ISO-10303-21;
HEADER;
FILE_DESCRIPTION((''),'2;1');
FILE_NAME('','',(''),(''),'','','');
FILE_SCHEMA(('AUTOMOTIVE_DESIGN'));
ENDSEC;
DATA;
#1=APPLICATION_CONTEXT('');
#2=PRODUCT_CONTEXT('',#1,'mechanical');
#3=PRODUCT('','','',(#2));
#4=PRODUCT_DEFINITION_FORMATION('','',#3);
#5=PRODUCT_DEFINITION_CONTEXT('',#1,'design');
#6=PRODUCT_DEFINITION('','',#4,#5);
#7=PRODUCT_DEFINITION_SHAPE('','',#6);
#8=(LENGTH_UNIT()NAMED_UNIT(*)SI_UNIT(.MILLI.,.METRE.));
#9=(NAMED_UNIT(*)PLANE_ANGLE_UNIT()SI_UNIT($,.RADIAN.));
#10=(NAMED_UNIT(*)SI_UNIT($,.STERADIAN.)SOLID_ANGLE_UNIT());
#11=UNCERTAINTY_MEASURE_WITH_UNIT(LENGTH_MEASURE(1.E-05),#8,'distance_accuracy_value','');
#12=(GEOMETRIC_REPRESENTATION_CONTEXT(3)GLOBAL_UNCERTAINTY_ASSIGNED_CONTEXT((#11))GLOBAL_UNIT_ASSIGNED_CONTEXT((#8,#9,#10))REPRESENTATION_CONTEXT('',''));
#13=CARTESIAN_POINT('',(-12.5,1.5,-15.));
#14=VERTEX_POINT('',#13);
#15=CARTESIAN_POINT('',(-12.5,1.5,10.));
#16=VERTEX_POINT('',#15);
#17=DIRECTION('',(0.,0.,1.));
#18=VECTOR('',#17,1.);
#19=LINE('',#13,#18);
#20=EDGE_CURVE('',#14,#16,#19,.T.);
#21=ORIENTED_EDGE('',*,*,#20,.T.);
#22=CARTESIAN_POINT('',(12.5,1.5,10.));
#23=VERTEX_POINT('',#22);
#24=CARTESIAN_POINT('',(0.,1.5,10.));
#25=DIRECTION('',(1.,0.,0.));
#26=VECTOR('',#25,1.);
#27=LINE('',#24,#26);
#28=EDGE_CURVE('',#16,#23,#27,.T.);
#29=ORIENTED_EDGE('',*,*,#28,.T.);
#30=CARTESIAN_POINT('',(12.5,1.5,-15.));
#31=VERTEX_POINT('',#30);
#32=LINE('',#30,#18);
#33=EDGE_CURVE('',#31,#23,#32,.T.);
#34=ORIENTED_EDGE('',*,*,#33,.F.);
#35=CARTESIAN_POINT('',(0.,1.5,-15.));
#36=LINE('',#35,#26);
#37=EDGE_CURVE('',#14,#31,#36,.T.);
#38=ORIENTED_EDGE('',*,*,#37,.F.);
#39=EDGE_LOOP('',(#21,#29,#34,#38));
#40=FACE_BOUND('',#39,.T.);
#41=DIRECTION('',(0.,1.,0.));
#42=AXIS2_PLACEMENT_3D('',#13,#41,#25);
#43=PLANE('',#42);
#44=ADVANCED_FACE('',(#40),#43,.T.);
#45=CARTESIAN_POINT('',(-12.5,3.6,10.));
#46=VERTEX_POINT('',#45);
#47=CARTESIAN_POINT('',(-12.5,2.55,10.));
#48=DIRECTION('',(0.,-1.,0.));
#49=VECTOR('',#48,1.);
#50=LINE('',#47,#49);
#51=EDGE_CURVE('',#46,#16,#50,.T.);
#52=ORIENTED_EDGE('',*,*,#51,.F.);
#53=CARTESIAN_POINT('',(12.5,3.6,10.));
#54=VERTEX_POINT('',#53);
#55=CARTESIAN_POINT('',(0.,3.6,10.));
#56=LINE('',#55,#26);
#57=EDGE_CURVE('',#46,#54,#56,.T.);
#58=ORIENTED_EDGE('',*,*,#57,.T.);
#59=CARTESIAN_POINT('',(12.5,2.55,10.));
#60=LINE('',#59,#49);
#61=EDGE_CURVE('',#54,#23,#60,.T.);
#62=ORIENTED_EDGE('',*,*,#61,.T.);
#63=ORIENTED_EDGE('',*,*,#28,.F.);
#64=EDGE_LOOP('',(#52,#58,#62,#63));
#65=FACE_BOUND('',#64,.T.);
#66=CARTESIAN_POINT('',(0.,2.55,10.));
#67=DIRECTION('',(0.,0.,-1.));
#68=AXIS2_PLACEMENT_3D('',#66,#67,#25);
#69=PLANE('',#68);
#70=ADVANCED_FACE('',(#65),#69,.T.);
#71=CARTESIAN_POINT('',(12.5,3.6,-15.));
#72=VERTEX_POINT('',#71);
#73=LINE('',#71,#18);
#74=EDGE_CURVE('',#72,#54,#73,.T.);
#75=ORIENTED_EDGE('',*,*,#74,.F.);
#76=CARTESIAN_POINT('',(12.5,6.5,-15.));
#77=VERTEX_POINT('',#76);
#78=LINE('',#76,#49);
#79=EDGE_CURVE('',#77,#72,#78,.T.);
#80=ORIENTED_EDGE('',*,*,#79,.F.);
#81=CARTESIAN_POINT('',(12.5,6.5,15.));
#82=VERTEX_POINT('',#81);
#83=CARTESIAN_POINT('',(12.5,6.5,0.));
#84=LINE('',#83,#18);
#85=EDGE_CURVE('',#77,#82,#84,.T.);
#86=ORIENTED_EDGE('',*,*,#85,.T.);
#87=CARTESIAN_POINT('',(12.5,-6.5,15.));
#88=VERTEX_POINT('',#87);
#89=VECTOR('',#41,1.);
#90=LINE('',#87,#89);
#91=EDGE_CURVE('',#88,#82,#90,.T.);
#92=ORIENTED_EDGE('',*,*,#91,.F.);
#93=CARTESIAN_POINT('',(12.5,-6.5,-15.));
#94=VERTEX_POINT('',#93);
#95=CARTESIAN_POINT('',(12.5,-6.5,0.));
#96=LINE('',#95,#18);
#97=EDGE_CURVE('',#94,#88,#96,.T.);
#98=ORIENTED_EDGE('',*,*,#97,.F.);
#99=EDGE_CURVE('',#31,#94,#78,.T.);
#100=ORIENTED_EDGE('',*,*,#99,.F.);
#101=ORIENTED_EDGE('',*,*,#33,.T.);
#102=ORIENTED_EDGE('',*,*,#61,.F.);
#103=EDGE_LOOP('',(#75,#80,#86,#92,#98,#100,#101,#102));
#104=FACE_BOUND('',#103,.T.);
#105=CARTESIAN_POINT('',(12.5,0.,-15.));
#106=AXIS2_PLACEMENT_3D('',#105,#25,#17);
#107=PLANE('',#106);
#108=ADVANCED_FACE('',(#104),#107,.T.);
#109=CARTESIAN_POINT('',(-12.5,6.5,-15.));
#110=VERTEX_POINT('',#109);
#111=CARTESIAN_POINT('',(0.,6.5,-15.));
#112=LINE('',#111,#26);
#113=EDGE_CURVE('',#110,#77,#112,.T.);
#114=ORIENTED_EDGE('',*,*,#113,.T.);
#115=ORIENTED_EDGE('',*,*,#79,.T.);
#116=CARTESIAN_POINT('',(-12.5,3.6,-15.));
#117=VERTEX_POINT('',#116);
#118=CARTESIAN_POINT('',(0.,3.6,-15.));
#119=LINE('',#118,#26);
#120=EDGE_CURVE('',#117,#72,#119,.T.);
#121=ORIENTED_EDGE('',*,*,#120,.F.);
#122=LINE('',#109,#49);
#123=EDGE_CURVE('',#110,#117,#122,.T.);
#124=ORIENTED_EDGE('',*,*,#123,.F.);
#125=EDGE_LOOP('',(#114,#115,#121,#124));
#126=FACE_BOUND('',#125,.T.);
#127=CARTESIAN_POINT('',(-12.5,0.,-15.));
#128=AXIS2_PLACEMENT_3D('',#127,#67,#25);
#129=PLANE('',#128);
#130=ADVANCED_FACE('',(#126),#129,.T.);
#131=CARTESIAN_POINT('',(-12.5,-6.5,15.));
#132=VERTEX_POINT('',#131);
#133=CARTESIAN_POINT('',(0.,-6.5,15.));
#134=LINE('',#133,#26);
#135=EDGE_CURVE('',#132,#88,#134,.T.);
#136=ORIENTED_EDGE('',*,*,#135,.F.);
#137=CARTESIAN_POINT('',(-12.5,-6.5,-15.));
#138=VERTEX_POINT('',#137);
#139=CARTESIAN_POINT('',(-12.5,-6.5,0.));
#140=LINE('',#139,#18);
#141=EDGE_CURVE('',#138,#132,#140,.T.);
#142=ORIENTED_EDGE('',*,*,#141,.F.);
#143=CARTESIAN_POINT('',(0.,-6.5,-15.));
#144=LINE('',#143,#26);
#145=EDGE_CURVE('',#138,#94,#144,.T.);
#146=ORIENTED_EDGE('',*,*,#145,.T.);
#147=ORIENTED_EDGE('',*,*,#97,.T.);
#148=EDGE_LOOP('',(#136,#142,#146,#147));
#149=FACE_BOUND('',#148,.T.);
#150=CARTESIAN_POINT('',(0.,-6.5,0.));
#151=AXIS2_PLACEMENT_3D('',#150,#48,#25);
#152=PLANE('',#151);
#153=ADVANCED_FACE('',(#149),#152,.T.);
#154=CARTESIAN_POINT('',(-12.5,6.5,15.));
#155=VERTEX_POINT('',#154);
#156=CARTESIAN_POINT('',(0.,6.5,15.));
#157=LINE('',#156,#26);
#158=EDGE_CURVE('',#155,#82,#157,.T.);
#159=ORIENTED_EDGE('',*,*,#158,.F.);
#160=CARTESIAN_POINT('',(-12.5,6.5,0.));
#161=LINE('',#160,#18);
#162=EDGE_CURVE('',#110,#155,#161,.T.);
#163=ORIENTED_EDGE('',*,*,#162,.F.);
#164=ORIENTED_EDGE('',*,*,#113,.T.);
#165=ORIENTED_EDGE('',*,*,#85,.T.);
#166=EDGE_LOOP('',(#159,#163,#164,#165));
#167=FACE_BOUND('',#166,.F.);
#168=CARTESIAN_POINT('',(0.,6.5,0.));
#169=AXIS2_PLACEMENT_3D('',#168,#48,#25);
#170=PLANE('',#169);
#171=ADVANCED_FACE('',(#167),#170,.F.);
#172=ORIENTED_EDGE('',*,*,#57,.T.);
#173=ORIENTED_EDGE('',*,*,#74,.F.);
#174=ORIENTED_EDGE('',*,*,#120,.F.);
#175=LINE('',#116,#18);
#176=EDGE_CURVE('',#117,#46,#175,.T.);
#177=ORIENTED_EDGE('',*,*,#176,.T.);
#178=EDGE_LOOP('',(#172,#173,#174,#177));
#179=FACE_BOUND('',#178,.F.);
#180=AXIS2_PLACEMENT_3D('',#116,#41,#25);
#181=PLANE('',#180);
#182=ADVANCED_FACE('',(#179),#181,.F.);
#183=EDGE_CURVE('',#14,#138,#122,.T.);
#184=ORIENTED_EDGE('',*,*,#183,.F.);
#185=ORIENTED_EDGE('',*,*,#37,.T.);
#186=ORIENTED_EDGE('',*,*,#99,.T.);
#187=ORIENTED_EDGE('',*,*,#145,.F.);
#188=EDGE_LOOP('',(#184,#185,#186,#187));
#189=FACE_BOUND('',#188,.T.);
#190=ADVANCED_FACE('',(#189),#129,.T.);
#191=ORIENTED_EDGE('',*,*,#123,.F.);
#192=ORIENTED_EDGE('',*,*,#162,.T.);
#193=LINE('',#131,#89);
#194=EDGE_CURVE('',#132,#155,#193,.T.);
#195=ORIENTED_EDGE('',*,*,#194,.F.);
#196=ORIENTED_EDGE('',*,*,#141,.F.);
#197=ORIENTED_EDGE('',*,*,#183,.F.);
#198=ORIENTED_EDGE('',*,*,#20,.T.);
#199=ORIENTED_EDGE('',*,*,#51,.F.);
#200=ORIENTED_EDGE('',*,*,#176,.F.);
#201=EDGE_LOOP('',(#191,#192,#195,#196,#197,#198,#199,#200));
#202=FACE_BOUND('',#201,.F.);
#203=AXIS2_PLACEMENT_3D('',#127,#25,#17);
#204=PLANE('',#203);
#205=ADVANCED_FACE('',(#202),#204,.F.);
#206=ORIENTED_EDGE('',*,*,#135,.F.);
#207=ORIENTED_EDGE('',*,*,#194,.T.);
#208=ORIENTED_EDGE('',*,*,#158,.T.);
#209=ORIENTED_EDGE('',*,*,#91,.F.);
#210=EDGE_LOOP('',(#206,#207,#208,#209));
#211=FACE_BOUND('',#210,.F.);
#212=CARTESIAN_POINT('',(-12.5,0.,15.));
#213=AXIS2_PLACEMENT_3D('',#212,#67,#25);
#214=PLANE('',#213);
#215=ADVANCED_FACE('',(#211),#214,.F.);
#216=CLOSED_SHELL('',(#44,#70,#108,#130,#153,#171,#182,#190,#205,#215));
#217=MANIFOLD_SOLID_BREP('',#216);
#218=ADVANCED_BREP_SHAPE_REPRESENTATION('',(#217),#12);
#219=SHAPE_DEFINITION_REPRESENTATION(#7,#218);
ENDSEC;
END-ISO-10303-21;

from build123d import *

# Parameters (mm, degrees)
F0_W     = 25
F0_H     = 30
F1_DEPTH = 6.5
F2_W     = 25
F2_H     = 2.1
F3_DEPTH = 25


with BuildPart() as f1:
    # F0 (on Front) → F1 (new body, symmetric)
    with BuildSketch(Plane.XZ):
        Rectangle(F0_W, F0_H)
    extrude(amount=F1_DEPTH, both=True)

    # F2 (on face) → F3 (cut)
    with BuildSketch(Plane(origin=(0, 0, -15), x_dir=(1, 0, 0), z_dir=(0, 0, -1))):
        with Locations((0, -2.55)):
            Rectangle(F2_W, F2_H)
    extrude(amount=-F3_DEPTH, mode=Mode.SUBTRACT)


solid = f1.part
